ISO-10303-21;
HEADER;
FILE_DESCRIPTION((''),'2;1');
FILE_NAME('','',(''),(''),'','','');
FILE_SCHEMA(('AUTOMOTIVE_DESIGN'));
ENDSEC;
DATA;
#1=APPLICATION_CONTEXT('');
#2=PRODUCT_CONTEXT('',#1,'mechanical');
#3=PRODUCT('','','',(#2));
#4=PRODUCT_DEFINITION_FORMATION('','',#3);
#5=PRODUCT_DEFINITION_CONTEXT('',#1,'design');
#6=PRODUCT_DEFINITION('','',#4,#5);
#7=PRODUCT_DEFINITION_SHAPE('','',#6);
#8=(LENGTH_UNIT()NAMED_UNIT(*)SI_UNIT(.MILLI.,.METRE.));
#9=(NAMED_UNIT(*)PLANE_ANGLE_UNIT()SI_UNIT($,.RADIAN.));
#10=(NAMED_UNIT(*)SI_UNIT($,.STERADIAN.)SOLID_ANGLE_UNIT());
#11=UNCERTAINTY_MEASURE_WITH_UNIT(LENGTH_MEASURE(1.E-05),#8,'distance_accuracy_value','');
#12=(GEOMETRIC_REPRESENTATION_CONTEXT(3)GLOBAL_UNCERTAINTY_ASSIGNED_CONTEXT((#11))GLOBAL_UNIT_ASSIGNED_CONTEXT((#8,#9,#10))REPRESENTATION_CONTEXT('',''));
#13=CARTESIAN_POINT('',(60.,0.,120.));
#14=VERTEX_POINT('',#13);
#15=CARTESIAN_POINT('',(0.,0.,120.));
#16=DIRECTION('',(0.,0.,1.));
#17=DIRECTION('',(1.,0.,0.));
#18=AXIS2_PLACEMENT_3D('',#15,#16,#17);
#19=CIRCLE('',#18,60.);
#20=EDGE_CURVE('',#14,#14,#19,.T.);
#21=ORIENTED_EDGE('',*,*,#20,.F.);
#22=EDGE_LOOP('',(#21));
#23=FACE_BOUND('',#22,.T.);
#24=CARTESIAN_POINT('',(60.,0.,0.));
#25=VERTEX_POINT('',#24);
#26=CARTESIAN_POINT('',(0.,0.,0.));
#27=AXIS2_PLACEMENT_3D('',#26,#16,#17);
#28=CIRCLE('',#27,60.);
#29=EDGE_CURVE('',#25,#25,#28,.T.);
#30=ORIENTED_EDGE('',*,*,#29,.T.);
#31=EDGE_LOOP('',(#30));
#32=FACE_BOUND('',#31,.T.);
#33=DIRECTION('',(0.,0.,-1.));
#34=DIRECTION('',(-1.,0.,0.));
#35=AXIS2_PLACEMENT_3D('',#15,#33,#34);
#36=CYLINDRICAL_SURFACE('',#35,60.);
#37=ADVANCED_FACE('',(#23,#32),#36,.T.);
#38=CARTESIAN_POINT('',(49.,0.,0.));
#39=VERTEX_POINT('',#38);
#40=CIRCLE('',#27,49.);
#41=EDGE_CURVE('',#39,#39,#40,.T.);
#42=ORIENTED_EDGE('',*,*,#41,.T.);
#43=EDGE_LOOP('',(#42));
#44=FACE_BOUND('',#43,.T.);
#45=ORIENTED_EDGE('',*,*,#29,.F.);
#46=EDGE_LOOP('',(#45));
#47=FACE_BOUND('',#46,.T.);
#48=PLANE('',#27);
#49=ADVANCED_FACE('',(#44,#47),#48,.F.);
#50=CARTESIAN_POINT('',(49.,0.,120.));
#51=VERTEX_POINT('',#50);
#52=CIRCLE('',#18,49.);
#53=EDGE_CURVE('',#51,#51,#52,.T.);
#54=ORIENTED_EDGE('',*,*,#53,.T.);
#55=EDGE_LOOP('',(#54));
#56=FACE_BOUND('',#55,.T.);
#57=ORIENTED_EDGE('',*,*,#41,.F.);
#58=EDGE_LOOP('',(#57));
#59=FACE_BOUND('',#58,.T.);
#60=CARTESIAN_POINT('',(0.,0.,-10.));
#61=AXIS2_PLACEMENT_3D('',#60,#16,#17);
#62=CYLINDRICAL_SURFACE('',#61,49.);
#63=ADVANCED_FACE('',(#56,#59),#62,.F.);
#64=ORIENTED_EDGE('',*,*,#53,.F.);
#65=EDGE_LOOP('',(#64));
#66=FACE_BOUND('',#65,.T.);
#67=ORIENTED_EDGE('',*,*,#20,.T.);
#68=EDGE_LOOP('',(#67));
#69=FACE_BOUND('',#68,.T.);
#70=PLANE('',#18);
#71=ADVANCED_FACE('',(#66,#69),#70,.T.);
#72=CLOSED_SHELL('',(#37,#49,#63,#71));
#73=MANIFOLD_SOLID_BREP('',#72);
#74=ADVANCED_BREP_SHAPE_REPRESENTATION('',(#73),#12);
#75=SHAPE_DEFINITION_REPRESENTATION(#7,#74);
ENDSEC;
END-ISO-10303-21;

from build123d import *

# Parameters (mm, degrees)
SKETCH1_R           = 60
BOSS_EXTRUDE1_DEPTH = 120
SKETCH2_R           = 49
CUT_EXTRUDE1_DEPTH  = 130


with BuildPart() as part:
    # Sketch1 → Boss-Extrude1 (new body)
    with BuildSketch(Plane.XY):
        Circle(SKETCH1_R)
    extrude(amount=BOSS_EXTRUDE1_DEPTH)

    # Sketch2 → Cut-Extrude1 (cut)
    with BuildSketch(Plane.XY.offset(120)):
        Circle(SKETCH2_R)
    extrude(amount=-CUT_EXTRUDE1_DEPTH, mode=Mode.SUBTRACT)


solid = part.part
